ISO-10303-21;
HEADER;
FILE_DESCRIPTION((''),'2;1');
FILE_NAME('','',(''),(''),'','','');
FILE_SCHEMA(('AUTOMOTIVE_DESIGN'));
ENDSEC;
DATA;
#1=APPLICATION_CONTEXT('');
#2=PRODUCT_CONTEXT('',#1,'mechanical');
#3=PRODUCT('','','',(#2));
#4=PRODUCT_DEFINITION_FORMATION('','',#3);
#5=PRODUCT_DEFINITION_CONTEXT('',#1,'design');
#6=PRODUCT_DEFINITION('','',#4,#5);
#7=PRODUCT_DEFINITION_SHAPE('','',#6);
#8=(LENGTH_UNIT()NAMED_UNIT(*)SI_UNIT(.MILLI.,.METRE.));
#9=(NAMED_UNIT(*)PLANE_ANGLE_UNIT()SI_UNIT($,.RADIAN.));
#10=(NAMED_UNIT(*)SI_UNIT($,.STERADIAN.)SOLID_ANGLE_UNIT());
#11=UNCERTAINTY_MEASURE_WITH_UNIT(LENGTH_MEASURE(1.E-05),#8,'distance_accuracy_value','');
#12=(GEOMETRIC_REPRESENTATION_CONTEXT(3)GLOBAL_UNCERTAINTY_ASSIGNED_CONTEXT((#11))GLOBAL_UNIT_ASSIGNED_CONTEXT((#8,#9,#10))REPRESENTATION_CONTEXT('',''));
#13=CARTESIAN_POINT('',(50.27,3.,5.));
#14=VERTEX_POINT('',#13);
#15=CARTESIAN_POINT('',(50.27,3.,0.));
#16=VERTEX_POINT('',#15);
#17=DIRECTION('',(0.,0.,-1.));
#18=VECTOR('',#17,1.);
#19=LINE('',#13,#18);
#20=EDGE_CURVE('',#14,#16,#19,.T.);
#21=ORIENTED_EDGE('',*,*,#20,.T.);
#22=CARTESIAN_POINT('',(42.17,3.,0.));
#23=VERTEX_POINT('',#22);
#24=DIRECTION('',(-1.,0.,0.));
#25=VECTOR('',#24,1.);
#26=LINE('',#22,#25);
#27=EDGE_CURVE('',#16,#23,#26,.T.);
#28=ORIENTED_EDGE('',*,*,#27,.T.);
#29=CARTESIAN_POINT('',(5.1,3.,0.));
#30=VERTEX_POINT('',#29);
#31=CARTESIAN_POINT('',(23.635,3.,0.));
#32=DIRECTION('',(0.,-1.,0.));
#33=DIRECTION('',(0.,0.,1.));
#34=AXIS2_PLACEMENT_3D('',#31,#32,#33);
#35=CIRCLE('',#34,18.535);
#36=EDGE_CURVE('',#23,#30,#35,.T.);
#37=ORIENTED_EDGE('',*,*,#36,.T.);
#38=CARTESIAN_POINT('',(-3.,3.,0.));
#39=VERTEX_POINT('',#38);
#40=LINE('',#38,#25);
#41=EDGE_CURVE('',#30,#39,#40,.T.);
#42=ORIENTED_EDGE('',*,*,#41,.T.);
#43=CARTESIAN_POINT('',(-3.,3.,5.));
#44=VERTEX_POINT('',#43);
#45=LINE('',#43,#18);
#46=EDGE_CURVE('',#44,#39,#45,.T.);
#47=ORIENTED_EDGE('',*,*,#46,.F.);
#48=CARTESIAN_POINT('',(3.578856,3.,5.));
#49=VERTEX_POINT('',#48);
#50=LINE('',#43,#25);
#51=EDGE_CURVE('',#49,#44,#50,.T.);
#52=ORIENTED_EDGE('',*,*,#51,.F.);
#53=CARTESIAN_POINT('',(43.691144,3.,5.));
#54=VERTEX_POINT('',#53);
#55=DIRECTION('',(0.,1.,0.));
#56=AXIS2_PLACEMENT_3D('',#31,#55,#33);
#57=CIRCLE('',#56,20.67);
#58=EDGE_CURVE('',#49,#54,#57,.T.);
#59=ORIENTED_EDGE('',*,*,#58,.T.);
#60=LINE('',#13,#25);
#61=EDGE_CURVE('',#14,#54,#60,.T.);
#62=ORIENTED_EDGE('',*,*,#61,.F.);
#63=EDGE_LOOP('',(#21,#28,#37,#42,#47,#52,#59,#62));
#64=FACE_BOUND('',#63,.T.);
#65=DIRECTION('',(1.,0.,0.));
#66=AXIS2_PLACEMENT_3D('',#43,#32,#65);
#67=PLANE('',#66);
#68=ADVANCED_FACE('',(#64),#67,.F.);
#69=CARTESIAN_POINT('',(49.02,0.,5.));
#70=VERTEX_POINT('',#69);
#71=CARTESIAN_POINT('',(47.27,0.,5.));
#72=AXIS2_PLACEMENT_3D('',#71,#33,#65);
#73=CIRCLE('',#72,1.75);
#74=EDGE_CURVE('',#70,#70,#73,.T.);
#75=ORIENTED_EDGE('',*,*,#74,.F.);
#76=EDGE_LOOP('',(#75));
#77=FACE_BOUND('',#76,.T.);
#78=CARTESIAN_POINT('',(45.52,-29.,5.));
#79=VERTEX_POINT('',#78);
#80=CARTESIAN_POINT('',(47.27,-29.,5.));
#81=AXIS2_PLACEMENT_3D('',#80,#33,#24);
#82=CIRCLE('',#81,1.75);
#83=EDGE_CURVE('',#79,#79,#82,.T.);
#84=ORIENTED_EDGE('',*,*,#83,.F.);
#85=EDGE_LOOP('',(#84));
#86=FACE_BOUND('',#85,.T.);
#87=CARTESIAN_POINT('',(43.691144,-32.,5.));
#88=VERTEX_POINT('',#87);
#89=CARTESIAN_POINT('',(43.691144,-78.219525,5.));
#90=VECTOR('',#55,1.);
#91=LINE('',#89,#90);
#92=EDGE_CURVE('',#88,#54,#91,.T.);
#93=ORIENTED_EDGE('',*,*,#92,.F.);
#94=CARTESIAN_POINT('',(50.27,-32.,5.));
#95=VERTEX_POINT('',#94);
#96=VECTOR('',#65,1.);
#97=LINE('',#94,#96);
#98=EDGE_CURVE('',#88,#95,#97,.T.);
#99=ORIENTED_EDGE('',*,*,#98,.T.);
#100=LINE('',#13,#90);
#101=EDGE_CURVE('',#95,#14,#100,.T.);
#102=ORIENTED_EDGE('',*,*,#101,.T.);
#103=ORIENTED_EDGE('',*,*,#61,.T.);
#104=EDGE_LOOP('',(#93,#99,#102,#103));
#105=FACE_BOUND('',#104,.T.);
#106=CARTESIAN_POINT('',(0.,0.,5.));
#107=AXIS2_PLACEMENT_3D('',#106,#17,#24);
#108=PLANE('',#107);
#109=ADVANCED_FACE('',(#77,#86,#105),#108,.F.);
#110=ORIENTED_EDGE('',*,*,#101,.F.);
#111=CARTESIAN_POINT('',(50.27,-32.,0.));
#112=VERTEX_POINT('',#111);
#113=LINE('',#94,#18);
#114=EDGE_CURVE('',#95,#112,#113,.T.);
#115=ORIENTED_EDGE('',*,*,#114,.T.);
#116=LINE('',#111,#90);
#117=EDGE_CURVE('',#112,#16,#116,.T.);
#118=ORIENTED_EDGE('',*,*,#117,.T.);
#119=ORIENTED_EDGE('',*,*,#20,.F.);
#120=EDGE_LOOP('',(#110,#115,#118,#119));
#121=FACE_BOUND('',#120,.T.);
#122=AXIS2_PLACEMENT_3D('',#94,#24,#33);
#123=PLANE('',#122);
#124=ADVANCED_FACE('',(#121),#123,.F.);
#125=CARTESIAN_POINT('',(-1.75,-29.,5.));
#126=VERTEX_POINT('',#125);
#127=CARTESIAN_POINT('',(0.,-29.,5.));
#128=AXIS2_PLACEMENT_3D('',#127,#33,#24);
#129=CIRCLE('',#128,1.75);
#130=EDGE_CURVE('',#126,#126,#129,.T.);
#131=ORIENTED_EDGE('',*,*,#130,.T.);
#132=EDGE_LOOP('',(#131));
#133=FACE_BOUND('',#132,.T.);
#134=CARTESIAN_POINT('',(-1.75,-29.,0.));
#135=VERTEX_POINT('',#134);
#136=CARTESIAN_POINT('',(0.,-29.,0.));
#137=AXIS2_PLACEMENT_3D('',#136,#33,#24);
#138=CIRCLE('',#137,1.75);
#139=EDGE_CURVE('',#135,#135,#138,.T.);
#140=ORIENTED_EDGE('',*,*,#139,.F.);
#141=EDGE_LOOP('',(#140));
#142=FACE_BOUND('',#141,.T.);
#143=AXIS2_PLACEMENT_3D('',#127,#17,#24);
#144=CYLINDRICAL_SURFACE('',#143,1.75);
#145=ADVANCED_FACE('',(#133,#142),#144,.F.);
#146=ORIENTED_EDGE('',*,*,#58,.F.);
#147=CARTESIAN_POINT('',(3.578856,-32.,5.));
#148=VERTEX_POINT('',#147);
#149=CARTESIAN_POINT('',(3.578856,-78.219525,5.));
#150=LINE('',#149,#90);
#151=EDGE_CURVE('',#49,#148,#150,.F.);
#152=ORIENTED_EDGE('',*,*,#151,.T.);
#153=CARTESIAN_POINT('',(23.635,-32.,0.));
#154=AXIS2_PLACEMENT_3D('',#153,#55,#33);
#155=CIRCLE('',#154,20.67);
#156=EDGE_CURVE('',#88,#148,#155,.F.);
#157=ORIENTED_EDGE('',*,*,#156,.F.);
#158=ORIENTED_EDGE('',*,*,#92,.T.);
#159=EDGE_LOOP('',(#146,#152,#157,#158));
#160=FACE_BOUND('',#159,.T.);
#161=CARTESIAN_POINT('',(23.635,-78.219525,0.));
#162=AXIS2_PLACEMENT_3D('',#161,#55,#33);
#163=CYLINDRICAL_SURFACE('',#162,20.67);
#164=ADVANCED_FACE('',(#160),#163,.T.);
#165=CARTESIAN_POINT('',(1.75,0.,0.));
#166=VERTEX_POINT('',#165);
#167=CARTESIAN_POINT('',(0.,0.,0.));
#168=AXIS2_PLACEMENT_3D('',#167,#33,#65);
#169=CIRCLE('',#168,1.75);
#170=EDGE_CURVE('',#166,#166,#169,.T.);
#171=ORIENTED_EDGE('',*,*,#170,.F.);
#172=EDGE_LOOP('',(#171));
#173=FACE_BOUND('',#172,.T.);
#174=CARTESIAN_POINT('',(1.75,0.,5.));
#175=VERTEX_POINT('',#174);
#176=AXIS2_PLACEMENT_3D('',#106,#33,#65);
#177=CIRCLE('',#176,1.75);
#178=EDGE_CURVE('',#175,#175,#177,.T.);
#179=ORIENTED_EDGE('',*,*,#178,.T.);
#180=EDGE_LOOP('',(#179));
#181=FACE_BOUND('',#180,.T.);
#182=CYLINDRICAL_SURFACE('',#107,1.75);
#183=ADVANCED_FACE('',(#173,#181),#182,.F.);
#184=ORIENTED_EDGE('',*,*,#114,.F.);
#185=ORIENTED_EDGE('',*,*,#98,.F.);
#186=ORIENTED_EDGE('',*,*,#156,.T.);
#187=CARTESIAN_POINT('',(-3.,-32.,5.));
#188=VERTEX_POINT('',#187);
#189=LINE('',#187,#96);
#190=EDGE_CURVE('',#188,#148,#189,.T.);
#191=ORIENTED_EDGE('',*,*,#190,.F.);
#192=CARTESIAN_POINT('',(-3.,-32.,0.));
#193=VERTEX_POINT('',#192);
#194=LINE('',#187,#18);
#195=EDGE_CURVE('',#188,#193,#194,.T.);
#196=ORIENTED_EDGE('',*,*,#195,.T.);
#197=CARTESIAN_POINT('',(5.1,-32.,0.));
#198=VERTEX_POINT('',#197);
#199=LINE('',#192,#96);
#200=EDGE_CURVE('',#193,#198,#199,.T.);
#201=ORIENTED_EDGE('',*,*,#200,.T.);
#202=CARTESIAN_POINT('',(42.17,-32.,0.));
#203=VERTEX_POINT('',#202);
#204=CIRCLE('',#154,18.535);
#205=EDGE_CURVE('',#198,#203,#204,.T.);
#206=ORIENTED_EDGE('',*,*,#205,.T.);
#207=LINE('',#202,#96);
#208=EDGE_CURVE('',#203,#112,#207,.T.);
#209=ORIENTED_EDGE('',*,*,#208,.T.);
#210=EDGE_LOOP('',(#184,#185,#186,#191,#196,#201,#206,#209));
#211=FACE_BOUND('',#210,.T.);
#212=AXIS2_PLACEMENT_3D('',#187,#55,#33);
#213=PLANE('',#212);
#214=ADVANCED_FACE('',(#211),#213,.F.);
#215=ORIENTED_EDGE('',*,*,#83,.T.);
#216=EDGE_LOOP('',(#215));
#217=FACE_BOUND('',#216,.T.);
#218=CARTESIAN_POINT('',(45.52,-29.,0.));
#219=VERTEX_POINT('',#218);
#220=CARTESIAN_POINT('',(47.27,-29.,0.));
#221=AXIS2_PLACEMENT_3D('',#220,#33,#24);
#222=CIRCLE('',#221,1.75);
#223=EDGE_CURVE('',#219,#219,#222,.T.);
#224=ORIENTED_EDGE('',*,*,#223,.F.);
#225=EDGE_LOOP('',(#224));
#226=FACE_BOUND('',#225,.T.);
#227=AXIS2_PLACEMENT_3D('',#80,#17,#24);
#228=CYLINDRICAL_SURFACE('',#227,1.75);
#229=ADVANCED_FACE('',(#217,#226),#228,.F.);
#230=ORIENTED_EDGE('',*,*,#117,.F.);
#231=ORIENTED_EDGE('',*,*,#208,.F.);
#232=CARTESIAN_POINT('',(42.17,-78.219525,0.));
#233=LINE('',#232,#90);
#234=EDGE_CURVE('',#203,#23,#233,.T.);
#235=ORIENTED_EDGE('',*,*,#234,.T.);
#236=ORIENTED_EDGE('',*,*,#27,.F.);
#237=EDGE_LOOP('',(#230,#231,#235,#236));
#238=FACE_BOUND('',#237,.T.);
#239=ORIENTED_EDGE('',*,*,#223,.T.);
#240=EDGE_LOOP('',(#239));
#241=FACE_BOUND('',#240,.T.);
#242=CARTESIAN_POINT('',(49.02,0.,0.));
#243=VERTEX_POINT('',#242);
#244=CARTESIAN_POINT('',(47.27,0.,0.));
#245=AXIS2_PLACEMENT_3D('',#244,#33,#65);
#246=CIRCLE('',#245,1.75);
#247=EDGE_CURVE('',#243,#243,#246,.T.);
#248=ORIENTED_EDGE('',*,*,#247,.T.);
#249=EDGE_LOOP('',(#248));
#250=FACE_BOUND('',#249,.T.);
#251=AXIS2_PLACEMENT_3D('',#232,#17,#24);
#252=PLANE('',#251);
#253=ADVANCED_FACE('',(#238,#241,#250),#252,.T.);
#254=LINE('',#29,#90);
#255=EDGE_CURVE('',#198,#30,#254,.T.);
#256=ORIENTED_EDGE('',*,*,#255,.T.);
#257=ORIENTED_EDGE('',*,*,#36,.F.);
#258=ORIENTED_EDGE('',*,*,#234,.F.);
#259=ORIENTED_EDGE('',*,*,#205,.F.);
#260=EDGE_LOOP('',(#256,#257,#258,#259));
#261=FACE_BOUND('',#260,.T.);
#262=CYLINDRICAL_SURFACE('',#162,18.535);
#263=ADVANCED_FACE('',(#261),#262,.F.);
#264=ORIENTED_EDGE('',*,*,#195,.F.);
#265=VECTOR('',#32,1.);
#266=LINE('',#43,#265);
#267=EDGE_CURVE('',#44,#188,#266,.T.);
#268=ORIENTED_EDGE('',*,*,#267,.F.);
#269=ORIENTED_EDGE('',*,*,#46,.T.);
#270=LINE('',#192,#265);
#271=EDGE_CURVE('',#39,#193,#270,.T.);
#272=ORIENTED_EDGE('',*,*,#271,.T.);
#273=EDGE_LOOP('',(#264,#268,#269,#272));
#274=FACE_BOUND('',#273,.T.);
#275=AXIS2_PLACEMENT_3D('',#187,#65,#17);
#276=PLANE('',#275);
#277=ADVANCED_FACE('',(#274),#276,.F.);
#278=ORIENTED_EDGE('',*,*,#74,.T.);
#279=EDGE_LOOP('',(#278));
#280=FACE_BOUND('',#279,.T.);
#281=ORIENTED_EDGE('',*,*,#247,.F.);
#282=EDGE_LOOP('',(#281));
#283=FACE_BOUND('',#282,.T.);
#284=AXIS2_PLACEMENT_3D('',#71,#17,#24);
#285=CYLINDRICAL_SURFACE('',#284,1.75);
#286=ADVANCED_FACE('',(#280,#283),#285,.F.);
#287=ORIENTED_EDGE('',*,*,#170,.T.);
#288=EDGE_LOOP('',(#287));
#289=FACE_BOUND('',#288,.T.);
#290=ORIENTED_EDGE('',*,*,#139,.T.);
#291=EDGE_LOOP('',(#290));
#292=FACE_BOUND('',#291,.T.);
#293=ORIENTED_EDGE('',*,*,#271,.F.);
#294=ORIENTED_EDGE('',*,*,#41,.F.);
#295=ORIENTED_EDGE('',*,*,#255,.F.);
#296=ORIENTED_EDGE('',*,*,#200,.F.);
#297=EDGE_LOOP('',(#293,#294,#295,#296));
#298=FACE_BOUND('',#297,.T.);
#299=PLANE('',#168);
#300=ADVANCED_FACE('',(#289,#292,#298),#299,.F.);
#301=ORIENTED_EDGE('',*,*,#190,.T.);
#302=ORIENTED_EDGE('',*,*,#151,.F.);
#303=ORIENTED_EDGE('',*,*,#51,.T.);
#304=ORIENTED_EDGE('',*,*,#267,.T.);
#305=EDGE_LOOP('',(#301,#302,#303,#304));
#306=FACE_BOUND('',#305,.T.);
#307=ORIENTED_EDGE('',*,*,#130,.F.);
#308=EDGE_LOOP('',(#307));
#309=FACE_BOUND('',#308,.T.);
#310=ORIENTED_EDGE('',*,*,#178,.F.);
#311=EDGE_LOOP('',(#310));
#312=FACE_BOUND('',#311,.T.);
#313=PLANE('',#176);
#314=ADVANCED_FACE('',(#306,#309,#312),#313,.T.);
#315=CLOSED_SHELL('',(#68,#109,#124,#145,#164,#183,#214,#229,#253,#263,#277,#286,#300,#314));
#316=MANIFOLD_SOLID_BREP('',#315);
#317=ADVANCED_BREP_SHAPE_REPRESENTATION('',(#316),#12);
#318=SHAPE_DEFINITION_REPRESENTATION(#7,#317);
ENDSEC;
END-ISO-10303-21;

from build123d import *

# Parameters (mm, degrees)
SKETCH1_R             = 1.75
BOSS_EXTRUDE1_DEPTH   = 5
BOSS_EXTRUDE1_2_DEPTH = 5
SKETCH1_2_R           = 1.75
BOSS_EXTRUDE2_DEPTH   = 5
BOSS_EXTRUDE3_DEPTH   = 35


with BuildPart() as part:
    # Sketch1 → Boss-Extrude1 (new body)
    with BuildSketch(Plane.XY):
        Polygon((-3, 3), (5.1, 3), (5.1, -32), (-3, -32), (-3, -26), align=None)
        Circle(SKETCH1_R, mode=Mode.SUBTRACT)
        with Locations(Location((0, -29, 0), (0, 0, 180))):
            Circle(SKETCH1_R, mode=Mode.SUBTRACT)
    extrude(amount=BOSS_EXTRUDE1_DEPTH)



with BuildPart() as body_2:
    # Sketch1 → Boss-Extrude1 2 (new body)
    with BuildSketch(Plane.XY):
        Polygon((50.27, 3), (42.17, 3), (42.17, -32), (50.27, -32), (50.27, -26), align=None)
        with Locations((47.27, 0)):
            Circle(SKETCH1_R, mode=Mode.SUBTRACT)
        with Locations(Location((47.27, -29, 0), (0, 0, 180))):
            Circle(SKETCH1_R, mode=Mode.SUBTRACT)
    extrude(amount=BOSS_EXTRUDE1_2_DEPTH)


with BuildPart() as part_1:
    add(part.part)

    add(body_2.part)  # Boss-Extrude2 merges body 2
    # Sketch1<2> → Boss-Extrude2 (add)
    # profile 1 of 2: a face of its own
    with BuildSketch(Plane.XY):
        Polygon((-3, 3), (5.1, 3), (5.1, -32), (-3, -32), (-3, -26), align=None)
        Circle(SKETCH1_2_R, mode=Mode.SUBTRACT)
        with Locations(Location((0, -29, 0), (0, 0, 180))):
            Circle(SKETCH1_2_R, mode=Mode.SUBTRACT)
    # profile 2 of 2: a face of its own
    with BuildSketch(Plane.XY):
        Polygon((50.27, 3), (42.17, 3), (42.17, -32), (50.27, -32), (50.27, -26), align=None)
        with Locations((47.27, 0)):
            Circle(SKETCH1_2_R, mode=Mode.SUBTRACT)
        with Locations(Location((47.27, -29, 0), (0, 0, 180))):
            Circle(SKETCH1_2_R, mode=Mode.SUBTRACT)
    extrude(amount=BOSS_EXTRUDE2_DEPTH)

    # Sketch2 → Boss-Extrude3 (add)
    with BuildSketch(Plane(origin=(0, 3, 0), x_dir=(1, 0, 0), z_dir=(0, 1, 0))):
        with BuildLine():
            Line((42.17, 0), (44.305, 0))
            ThreePointArc((44.305, 0), (23.635, -20.67), (2.965, 0))
            Line((2.965, 0), (5.1, 0))
            ThreePointArc((5.1, 0), (23.635, -18.535), (42.17, 0))
        make_face()
    extrude(amount=-BOSS_EXTRUDE3_DEPTH)


solid = part_1.part
